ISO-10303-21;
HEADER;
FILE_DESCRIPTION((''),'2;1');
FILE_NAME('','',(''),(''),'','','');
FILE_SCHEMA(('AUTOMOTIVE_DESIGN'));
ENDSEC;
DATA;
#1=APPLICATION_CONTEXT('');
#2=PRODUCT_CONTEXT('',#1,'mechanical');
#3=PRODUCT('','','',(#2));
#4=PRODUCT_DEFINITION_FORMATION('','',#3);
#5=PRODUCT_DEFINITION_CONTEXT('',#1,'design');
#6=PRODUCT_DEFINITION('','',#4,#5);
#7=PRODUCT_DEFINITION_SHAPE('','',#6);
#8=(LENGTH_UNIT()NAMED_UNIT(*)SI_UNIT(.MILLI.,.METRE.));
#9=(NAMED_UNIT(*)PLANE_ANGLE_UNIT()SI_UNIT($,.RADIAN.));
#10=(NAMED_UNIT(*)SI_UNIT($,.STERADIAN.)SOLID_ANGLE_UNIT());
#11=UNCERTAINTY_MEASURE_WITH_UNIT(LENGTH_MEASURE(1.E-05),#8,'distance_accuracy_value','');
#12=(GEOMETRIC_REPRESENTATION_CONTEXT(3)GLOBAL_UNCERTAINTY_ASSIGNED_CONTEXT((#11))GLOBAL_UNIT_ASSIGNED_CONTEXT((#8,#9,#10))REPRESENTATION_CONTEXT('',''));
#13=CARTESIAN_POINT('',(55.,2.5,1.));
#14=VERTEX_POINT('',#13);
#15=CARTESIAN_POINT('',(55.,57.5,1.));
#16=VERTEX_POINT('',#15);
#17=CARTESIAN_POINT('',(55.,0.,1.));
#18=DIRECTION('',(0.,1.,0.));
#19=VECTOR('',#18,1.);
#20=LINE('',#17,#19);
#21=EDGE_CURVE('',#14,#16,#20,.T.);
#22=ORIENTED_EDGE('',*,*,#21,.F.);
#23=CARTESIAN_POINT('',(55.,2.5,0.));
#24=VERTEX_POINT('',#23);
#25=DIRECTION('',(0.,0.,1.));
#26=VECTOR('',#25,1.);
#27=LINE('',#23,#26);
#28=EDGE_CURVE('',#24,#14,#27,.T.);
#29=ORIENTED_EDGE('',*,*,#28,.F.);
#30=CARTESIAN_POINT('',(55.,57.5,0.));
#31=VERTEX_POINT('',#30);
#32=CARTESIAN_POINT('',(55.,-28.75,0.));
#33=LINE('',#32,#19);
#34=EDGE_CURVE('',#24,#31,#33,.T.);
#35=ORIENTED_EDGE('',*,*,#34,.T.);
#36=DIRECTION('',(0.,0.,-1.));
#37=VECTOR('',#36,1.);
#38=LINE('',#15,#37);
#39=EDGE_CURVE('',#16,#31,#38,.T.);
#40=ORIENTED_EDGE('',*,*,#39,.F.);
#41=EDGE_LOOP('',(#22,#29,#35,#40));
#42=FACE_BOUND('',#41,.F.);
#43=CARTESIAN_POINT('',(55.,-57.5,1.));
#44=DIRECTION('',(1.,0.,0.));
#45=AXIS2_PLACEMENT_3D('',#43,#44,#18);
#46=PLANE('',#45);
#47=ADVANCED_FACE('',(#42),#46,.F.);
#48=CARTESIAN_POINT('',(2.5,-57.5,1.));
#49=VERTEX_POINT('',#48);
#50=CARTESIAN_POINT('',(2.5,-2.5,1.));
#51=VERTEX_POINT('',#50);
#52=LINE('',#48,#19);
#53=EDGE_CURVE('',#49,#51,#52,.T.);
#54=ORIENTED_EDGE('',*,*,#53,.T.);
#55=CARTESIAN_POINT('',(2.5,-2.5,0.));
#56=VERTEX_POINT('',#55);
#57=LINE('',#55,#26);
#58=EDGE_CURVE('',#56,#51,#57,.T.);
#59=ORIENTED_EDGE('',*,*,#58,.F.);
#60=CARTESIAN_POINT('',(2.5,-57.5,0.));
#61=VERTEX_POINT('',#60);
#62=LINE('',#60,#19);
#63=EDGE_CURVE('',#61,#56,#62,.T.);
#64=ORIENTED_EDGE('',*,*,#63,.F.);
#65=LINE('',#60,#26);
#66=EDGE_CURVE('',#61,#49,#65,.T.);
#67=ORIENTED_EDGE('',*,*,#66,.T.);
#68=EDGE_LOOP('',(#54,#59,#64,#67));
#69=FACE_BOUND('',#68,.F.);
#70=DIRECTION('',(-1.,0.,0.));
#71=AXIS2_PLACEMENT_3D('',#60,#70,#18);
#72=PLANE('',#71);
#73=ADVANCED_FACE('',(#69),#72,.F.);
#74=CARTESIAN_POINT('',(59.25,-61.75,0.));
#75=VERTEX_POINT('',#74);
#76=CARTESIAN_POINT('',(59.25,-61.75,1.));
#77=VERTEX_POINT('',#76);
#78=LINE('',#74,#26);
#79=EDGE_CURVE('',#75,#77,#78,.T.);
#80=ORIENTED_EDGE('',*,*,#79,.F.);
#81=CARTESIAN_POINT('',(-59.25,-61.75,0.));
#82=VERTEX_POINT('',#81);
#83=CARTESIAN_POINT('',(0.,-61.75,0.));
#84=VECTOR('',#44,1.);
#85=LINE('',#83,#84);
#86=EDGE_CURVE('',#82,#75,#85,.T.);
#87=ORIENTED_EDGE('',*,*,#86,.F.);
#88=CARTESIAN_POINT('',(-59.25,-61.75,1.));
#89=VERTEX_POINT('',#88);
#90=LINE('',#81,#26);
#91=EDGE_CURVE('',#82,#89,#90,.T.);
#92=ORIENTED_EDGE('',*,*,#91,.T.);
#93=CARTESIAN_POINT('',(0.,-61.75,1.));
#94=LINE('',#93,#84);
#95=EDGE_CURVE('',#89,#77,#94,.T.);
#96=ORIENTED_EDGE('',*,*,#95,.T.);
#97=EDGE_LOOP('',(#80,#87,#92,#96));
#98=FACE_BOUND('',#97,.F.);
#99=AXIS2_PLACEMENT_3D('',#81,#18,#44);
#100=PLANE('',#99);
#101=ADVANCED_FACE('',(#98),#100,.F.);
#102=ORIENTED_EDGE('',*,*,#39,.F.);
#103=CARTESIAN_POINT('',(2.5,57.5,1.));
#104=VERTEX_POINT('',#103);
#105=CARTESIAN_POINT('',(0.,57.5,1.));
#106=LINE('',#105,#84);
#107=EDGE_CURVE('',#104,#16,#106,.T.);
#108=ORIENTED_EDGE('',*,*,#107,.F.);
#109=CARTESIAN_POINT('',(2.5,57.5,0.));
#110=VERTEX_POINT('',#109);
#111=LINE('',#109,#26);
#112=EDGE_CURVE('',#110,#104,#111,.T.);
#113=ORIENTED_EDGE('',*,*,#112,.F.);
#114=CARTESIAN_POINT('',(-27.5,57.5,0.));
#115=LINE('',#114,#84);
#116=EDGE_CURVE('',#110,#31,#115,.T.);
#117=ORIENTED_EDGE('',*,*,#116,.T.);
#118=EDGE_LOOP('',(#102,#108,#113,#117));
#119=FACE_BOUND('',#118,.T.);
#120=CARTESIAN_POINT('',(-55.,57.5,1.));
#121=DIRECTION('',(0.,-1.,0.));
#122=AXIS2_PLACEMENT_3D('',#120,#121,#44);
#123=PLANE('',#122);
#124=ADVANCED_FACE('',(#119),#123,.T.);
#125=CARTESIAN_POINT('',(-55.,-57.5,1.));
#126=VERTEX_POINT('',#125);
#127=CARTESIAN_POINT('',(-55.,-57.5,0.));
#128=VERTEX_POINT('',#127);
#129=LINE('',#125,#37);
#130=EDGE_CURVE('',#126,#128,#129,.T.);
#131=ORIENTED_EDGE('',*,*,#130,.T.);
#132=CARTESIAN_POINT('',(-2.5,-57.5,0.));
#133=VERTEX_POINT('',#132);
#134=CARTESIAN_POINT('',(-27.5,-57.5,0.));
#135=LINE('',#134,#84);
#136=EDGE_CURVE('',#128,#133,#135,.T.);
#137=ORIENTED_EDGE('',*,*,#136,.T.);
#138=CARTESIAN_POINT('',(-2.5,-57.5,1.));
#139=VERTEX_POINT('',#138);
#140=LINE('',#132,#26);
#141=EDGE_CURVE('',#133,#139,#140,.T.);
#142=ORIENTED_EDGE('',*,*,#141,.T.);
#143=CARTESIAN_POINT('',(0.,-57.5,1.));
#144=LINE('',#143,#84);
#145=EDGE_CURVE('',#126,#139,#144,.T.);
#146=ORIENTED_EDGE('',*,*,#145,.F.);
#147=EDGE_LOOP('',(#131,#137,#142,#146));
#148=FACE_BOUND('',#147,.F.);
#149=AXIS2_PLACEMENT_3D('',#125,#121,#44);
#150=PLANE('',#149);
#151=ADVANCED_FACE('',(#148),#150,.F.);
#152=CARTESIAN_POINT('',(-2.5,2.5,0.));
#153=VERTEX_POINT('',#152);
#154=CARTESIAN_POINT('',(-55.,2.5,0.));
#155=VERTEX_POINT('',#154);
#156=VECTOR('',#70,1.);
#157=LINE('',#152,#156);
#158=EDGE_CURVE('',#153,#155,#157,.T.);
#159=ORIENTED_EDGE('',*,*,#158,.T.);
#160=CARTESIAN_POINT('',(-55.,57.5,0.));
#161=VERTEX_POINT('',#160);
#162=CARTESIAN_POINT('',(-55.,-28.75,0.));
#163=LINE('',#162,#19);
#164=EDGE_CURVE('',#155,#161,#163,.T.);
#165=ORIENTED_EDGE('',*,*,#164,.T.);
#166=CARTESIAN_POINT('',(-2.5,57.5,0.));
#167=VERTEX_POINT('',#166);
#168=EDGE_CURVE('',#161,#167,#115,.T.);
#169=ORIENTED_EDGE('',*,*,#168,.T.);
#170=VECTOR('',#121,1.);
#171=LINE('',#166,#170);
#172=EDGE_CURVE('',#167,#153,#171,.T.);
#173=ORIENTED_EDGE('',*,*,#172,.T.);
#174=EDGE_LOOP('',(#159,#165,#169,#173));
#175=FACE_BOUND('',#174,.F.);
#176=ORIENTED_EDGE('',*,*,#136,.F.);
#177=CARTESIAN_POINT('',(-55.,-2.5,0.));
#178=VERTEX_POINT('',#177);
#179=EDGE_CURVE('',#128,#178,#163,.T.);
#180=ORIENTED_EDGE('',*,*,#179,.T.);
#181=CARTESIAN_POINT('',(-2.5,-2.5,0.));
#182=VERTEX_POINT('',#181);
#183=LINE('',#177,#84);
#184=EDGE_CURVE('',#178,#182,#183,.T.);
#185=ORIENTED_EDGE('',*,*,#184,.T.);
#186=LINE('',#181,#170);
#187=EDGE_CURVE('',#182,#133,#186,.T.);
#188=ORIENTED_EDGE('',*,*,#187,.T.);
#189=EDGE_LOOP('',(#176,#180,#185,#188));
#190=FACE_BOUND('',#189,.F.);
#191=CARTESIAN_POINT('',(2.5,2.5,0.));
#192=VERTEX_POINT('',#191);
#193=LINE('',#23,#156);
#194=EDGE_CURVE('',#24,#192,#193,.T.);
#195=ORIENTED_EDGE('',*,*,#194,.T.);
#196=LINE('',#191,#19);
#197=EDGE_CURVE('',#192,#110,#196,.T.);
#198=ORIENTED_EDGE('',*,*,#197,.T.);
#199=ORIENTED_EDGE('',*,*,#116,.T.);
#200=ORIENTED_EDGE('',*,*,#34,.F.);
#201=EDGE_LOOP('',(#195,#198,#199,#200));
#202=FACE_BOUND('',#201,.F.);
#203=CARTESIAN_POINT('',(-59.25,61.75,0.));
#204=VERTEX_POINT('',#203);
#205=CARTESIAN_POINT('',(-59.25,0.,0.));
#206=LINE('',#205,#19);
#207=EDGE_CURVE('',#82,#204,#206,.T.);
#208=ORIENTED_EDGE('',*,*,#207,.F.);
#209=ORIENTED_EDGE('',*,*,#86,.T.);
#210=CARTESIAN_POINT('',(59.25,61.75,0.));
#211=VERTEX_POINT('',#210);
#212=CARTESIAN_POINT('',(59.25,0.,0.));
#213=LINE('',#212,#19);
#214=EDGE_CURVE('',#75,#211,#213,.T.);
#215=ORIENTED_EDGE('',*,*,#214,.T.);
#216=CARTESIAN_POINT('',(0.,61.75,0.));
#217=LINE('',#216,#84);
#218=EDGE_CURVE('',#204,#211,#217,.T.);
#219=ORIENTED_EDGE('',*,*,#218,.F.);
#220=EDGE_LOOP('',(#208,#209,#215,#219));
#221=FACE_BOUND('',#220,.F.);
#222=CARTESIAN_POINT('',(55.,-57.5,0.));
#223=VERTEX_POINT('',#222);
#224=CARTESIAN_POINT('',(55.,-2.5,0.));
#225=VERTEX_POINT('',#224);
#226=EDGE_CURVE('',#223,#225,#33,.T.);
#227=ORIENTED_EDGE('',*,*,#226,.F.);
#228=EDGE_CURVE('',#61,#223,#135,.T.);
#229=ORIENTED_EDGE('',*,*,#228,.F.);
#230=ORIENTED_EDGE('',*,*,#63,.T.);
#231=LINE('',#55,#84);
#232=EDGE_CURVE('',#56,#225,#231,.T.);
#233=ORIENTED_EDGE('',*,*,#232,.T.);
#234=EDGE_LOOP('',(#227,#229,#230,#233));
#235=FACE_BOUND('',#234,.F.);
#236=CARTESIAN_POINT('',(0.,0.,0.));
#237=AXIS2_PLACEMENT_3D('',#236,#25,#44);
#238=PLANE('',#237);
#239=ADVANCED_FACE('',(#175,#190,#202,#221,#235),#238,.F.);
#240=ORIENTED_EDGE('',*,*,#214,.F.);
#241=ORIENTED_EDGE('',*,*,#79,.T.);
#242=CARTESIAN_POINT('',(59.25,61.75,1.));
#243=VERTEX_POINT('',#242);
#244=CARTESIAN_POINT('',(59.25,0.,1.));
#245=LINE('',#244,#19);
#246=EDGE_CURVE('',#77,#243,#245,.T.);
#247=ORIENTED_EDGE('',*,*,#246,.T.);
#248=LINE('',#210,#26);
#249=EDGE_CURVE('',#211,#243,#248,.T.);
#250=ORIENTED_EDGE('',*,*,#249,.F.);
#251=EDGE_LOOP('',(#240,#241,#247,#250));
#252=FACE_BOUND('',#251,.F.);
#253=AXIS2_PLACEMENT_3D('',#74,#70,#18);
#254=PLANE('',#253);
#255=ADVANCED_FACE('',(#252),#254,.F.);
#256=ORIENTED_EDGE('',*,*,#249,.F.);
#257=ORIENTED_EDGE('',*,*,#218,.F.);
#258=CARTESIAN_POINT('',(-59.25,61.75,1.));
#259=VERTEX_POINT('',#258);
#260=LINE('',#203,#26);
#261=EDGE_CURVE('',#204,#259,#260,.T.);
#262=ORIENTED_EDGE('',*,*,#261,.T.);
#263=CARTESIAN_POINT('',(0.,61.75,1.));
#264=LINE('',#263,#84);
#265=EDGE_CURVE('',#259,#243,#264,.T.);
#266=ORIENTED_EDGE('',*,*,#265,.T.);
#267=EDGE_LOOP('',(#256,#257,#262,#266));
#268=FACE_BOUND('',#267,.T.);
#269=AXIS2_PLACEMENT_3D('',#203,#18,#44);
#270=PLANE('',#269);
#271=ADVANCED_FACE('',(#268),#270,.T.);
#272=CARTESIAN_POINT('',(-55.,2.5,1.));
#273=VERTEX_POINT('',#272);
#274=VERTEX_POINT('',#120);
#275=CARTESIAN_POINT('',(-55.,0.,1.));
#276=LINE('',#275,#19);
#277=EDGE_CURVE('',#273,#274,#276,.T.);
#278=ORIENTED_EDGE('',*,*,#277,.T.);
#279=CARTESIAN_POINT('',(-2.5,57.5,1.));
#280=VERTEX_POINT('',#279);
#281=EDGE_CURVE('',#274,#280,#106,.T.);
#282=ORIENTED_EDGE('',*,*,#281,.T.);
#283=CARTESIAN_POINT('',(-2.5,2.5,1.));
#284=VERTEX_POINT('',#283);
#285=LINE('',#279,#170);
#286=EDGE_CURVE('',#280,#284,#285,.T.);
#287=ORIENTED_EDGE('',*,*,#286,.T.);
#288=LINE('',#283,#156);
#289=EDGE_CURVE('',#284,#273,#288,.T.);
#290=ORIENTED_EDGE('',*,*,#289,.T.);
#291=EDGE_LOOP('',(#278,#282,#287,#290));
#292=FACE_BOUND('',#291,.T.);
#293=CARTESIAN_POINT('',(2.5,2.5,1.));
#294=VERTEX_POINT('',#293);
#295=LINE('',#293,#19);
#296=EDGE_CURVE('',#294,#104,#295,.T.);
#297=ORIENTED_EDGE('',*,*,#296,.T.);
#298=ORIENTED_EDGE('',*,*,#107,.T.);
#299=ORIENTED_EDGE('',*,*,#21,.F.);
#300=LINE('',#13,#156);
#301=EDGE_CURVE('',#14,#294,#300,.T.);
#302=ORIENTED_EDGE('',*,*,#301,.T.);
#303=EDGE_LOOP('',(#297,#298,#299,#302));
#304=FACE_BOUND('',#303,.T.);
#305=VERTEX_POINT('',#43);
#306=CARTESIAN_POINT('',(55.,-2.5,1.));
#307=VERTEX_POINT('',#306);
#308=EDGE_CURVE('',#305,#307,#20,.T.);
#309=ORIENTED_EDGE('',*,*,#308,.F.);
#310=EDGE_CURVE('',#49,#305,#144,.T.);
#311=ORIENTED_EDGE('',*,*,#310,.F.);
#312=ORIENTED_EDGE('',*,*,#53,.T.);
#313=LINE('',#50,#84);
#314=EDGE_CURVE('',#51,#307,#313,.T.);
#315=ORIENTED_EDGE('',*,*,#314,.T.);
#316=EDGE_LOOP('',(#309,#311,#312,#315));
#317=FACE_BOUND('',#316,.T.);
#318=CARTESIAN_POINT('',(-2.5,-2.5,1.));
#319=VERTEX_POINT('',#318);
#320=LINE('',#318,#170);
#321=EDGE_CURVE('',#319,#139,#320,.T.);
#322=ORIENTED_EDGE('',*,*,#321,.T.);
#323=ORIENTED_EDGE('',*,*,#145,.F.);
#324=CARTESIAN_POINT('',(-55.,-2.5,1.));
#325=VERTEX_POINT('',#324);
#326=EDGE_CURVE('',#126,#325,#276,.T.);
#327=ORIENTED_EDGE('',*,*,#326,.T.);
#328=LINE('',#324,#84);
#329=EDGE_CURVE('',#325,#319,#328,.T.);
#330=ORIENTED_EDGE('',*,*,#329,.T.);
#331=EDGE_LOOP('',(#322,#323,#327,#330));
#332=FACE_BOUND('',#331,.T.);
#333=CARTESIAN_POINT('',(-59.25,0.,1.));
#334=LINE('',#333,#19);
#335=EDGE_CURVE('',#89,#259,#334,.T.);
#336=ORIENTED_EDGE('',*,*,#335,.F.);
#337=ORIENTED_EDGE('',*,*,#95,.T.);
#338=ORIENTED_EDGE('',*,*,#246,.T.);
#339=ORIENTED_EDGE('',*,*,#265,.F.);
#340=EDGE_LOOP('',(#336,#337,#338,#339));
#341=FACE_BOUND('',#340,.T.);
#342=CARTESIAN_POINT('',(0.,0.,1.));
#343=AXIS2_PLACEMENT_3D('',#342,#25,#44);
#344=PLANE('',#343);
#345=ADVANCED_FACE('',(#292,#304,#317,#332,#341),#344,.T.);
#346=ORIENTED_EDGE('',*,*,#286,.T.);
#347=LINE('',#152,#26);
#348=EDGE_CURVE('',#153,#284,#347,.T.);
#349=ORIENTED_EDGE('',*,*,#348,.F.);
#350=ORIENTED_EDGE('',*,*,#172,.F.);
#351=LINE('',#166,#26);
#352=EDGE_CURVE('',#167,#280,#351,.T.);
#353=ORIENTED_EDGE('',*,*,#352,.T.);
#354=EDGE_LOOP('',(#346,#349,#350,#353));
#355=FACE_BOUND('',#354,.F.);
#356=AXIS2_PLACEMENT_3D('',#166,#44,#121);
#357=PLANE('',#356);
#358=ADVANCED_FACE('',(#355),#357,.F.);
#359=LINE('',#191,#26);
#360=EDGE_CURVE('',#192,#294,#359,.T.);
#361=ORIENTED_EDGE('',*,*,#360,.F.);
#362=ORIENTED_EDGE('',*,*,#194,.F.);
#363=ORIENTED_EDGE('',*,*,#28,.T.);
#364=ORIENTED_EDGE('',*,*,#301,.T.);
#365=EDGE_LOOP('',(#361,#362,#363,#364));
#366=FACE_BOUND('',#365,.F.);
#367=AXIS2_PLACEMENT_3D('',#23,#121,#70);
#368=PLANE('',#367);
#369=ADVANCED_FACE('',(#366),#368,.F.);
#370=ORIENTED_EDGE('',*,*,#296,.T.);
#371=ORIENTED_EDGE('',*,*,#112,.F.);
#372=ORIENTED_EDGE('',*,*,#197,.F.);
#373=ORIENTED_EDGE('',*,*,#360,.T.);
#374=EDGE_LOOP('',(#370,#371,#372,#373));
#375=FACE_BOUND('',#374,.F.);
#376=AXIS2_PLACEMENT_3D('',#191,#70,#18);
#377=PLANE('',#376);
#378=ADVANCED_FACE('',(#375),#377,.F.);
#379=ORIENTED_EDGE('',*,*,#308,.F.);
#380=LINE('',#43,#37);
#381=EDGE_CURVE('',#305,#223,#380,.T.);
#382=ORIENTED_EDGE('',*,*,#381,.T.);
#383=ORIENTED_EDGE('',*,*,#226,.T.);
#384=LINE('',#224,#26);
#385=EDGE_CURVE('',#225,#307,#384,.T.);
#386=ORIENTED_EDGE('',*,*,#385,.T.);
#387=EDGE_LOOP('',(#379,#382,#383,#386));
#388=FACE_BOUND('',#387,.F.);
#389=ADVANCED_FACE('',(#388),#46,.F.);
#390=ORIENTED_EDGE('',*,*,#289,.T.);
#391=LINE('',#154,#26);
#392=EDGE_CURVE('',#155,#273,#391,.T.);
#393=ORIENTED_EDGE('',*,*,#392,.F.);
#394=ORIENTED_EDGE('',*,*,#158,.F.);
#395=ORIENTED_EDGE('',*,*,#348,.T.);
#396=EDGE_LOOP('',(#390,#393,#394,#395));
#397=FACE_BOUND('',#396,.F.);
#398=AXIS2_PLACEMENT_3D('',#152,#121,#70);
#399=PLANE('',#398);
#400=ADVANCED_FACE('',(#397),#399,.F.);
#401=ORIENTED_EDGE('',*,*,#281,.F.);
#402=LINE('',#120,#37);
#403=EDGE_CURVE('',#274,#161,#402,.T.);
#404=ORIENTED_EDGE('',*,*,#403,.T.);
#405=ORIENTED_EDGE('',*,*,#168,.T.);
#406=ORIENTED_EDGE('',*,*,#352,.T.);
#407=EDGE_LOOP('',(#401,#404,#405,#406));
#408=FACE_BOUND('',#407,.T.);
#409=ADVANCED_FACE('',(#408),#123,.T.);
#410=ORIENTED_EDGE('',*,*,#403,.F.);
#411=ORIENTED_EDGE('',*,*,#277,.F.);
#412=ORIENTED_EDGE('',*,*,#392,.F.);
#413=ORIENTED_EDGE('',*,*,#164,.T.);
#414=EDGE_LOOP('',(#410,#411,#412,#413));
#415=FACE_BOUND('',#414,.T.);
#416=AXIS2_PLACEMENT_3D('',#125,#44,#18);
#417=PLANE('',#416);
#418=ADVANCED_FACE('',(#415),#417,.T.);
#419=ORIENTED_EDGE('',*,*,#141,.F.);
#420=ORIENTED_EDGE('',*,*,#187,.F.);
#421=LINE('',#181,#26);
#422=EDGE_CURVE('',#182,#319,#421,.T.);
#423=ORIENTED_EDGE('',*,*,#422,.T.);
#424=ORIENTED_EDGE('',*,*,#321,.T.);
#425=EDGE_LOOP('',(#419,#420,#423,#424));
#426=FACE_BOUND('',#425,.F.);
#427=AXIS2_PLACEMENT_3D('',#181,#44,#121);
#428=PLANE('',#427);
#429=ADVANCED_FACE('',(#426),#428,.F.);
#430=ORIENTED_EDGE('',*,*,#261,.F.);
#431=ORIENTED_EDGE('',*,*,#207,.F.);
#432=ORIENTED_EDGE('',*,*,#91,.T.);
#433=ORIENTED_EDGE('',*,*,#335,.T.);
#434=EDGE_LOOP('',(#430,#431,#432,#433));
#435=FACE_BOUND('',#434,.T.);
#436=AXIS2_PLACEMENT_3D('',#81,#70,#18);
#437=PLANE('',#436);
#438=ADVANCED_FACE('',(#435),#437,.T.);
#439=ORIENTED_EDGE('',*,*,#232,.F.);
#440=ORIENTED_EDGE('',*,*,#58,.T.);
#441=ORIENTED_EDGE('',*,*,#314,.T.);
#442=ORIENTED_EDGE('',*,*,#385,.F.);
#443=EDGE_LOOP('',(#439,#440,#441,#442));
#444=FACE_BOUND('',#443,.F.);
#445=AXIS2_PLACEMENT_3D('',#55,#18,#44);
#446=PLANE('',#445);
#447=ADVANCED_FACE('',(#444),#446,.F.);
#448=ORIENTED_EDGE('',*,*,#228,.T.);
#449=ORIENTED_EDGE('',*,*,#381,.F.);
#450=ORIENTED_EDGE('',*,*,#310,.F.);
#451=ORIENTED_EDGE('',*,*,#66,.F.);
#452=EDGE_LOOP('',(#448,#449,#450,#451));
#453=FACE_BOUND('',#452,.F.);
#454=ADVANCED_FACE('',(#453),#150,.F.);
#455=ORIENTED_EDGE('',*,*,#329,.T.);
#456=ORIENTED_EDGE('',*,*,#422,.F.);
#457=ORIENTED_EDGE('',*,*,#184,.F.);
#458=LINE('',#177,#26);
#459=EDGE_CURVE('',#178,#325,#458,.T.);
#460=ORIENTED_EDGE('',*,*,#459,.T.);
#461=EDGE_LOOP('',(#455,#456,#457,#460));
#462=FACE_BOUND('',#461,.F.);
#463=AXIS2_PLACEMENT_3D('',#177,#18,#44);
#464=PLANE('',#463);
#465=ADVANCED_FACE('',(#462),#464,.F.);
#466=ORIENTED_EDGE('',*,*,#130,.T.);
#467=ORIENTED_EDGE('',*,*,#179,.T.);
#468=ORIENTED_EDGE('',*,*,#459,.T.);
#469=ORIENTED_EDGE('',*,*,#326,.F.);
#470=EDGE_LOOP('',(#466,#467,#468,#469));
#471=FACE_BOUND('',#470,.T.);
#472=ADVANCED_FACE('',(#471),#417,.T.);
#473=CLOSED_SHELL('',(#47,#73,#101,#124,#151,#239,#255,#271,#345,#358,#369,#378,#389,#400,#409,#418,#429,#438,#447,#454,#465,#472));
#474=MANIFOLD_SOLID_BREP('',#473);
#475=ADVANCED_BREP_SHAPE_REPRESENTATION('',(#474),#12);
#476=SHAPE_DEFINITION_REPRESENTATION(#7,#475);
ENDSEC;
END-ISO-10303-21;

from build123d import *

# Parameters (mm, degrees)
F0_W     = 118.5
F0_H     = 123.5
F1_DEPTH = 1
F2_W     = 110
F2_H     = 115
F3_DEPTH = 25
F5_DEPTH = 1


with BuildPart() as f1:
    # F0 (on Top) → F1 (new body)
    with BuildSketch(Plane.XY):
        Rectangle(F0_W, F0_H)
    extrude(amount=F1_DEPTH)

    # F2 (on face) → F3 (cut)
    with BuildSketch(Plane.XY.offset(1)):
        Rectangle(F2_W, F2_H)
    extrude(amount=-F3_DEPTH, mode=Mode.SUBTRACT)

    # F4 (on Top) → F5 (join)
    with BuildSketch(Plane.XY):
        Polygon((2.5, 2.5), (2.5, 57.5), (-2.5, 57.5), (-2.5, 2.5), (-55, 2.5), (-55, -2.5), (-2.5, -2.5), (-2.5, -57.5), (2.5, -57.5), (2.5, -2.5), (55, -2.5), (55, 2.5), align=None)
    extrude(amount=F5_DEPTH)


solid = f1.part
